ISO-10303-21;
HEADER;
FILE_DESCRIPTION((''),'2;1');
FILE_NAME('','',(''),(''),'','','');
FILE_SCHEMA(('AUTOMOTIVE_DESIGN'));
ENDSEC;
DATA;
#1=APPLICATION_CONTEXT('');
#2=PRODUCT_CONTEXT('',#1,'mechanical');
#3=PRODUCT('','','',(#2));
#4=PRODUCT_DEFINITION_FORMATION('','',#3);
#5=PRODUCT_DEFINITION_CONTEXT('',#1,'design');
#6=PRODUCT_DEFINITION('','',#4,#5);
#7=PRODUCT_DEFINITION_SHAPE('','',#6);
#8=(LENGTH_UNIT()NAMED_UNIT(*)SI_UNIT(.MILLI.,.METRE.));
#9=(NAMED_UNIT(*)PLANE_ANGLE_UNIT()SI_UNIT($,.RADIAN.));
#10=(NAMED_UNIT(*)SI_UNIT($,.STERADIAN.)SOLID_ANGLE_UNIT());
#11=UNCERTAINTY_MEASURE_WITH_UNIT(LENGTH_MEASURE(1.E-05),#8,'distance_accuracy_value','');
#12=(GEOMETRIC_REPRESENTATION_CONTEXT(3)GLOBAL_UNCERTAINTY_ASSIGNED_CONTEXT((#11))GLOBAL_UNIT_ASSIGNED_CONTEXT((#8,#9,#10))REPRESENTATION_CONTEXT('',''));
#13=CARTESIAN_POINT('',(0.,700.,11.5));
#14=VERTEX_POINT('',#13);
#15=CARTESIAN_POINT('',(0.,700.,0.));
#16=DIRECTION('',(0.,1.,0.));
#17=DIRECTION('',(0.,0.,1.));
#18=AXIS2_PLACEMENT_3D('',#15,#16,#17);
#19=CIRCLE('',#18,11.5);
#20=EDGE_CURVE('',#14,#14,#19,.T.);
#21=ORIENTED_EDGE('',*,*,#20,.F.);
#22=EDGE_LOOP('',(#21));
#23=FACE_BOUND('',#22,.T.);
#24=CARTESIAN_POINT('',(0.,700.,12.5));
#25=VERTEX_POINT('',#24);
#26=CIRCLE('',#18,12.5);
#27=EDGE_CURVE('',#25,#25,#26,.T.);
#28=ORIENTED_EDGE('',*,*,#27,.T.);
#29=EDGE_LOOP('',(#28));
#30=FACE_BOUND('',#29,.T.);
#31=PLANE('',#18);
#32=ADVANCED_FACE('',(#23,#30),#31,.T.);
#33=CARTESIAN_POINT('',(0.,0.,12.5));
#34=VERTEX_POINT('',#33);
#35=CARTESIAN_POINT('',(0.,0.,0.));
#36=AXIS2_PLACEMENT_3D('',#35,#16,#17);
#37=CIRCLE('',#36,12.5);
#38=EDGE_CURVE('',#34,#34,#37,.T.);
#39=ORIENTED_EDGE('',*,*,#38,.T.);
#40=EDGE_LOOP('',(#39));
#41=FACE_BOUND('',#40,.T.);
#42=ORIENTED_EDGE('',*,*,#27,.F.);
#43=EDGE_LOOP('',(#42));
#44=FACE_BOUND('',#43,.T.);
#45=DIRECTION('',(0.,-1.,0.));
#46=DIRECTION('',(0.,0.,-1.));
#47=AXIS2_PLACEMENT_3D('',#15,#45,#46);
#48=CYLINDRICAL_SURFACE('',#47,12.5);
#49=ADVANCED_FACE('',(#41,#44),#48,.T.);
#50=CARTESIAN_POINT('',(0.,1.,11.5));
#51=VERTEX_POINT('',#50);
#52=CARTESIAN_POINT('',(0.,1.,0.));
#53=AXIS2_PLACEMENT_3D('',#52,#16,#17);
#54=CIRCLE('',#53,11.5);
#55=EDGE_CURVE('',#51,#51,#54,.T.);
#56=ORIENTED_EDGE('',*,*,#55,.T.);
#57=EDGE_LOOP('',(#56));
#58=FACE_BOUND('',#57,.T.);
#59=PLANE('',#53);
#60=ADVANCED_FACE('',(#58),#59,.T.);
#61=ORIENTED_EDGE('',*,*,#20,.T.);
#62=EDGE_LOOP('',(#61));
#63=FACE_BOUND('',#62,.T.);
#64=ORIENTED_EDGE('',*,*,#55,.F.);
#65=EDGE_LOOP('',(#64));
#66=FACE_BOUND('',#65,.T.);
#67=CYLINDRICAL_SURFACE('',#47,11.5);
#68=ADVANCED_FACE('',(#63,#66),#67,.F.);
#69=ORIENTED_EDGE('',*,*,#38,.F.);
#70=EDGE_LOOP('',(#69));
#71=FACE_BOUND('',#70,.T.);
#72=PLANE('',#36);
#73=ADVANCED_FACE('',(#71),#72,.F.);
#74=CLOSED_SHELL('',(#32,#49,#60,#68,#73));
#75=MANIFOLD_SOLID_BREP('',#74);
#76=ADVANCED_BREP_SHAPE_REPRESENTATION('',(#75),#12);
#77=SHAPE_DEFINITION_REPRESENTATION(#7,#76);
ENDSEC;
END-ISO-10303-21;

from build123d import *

# Parameters (mm, degrees)
SKETCH1_R           = 12.5
BOSS_EXTRUDE1_DEPTH = 700
SHELL1_T            = -1


with BuildPart() as part:
    # Sketch1 → Boss-Extrude1 (new body)
    with BuildSketch(Plane(origin=(0, 0, 0), x_dir=(1, 0, 0), z_dir=(0, 1, 0))):
        with Locations(Location((0, 0, 0), (0, 0, 270))):
            Circle(SKETCH1_R)
    extrude(amount=BOSS_EXTRUDE1_DEPTH)

    # Shell1
    shell1_openings = [part.faces().sort_by_distance(p)[0] for p in [
        (0, 700, 0),
    ]]
    offset(amount=SHELL1_T, openings=shell1_openings, kind=Kind.INTERSECTION)


solid = part.part
